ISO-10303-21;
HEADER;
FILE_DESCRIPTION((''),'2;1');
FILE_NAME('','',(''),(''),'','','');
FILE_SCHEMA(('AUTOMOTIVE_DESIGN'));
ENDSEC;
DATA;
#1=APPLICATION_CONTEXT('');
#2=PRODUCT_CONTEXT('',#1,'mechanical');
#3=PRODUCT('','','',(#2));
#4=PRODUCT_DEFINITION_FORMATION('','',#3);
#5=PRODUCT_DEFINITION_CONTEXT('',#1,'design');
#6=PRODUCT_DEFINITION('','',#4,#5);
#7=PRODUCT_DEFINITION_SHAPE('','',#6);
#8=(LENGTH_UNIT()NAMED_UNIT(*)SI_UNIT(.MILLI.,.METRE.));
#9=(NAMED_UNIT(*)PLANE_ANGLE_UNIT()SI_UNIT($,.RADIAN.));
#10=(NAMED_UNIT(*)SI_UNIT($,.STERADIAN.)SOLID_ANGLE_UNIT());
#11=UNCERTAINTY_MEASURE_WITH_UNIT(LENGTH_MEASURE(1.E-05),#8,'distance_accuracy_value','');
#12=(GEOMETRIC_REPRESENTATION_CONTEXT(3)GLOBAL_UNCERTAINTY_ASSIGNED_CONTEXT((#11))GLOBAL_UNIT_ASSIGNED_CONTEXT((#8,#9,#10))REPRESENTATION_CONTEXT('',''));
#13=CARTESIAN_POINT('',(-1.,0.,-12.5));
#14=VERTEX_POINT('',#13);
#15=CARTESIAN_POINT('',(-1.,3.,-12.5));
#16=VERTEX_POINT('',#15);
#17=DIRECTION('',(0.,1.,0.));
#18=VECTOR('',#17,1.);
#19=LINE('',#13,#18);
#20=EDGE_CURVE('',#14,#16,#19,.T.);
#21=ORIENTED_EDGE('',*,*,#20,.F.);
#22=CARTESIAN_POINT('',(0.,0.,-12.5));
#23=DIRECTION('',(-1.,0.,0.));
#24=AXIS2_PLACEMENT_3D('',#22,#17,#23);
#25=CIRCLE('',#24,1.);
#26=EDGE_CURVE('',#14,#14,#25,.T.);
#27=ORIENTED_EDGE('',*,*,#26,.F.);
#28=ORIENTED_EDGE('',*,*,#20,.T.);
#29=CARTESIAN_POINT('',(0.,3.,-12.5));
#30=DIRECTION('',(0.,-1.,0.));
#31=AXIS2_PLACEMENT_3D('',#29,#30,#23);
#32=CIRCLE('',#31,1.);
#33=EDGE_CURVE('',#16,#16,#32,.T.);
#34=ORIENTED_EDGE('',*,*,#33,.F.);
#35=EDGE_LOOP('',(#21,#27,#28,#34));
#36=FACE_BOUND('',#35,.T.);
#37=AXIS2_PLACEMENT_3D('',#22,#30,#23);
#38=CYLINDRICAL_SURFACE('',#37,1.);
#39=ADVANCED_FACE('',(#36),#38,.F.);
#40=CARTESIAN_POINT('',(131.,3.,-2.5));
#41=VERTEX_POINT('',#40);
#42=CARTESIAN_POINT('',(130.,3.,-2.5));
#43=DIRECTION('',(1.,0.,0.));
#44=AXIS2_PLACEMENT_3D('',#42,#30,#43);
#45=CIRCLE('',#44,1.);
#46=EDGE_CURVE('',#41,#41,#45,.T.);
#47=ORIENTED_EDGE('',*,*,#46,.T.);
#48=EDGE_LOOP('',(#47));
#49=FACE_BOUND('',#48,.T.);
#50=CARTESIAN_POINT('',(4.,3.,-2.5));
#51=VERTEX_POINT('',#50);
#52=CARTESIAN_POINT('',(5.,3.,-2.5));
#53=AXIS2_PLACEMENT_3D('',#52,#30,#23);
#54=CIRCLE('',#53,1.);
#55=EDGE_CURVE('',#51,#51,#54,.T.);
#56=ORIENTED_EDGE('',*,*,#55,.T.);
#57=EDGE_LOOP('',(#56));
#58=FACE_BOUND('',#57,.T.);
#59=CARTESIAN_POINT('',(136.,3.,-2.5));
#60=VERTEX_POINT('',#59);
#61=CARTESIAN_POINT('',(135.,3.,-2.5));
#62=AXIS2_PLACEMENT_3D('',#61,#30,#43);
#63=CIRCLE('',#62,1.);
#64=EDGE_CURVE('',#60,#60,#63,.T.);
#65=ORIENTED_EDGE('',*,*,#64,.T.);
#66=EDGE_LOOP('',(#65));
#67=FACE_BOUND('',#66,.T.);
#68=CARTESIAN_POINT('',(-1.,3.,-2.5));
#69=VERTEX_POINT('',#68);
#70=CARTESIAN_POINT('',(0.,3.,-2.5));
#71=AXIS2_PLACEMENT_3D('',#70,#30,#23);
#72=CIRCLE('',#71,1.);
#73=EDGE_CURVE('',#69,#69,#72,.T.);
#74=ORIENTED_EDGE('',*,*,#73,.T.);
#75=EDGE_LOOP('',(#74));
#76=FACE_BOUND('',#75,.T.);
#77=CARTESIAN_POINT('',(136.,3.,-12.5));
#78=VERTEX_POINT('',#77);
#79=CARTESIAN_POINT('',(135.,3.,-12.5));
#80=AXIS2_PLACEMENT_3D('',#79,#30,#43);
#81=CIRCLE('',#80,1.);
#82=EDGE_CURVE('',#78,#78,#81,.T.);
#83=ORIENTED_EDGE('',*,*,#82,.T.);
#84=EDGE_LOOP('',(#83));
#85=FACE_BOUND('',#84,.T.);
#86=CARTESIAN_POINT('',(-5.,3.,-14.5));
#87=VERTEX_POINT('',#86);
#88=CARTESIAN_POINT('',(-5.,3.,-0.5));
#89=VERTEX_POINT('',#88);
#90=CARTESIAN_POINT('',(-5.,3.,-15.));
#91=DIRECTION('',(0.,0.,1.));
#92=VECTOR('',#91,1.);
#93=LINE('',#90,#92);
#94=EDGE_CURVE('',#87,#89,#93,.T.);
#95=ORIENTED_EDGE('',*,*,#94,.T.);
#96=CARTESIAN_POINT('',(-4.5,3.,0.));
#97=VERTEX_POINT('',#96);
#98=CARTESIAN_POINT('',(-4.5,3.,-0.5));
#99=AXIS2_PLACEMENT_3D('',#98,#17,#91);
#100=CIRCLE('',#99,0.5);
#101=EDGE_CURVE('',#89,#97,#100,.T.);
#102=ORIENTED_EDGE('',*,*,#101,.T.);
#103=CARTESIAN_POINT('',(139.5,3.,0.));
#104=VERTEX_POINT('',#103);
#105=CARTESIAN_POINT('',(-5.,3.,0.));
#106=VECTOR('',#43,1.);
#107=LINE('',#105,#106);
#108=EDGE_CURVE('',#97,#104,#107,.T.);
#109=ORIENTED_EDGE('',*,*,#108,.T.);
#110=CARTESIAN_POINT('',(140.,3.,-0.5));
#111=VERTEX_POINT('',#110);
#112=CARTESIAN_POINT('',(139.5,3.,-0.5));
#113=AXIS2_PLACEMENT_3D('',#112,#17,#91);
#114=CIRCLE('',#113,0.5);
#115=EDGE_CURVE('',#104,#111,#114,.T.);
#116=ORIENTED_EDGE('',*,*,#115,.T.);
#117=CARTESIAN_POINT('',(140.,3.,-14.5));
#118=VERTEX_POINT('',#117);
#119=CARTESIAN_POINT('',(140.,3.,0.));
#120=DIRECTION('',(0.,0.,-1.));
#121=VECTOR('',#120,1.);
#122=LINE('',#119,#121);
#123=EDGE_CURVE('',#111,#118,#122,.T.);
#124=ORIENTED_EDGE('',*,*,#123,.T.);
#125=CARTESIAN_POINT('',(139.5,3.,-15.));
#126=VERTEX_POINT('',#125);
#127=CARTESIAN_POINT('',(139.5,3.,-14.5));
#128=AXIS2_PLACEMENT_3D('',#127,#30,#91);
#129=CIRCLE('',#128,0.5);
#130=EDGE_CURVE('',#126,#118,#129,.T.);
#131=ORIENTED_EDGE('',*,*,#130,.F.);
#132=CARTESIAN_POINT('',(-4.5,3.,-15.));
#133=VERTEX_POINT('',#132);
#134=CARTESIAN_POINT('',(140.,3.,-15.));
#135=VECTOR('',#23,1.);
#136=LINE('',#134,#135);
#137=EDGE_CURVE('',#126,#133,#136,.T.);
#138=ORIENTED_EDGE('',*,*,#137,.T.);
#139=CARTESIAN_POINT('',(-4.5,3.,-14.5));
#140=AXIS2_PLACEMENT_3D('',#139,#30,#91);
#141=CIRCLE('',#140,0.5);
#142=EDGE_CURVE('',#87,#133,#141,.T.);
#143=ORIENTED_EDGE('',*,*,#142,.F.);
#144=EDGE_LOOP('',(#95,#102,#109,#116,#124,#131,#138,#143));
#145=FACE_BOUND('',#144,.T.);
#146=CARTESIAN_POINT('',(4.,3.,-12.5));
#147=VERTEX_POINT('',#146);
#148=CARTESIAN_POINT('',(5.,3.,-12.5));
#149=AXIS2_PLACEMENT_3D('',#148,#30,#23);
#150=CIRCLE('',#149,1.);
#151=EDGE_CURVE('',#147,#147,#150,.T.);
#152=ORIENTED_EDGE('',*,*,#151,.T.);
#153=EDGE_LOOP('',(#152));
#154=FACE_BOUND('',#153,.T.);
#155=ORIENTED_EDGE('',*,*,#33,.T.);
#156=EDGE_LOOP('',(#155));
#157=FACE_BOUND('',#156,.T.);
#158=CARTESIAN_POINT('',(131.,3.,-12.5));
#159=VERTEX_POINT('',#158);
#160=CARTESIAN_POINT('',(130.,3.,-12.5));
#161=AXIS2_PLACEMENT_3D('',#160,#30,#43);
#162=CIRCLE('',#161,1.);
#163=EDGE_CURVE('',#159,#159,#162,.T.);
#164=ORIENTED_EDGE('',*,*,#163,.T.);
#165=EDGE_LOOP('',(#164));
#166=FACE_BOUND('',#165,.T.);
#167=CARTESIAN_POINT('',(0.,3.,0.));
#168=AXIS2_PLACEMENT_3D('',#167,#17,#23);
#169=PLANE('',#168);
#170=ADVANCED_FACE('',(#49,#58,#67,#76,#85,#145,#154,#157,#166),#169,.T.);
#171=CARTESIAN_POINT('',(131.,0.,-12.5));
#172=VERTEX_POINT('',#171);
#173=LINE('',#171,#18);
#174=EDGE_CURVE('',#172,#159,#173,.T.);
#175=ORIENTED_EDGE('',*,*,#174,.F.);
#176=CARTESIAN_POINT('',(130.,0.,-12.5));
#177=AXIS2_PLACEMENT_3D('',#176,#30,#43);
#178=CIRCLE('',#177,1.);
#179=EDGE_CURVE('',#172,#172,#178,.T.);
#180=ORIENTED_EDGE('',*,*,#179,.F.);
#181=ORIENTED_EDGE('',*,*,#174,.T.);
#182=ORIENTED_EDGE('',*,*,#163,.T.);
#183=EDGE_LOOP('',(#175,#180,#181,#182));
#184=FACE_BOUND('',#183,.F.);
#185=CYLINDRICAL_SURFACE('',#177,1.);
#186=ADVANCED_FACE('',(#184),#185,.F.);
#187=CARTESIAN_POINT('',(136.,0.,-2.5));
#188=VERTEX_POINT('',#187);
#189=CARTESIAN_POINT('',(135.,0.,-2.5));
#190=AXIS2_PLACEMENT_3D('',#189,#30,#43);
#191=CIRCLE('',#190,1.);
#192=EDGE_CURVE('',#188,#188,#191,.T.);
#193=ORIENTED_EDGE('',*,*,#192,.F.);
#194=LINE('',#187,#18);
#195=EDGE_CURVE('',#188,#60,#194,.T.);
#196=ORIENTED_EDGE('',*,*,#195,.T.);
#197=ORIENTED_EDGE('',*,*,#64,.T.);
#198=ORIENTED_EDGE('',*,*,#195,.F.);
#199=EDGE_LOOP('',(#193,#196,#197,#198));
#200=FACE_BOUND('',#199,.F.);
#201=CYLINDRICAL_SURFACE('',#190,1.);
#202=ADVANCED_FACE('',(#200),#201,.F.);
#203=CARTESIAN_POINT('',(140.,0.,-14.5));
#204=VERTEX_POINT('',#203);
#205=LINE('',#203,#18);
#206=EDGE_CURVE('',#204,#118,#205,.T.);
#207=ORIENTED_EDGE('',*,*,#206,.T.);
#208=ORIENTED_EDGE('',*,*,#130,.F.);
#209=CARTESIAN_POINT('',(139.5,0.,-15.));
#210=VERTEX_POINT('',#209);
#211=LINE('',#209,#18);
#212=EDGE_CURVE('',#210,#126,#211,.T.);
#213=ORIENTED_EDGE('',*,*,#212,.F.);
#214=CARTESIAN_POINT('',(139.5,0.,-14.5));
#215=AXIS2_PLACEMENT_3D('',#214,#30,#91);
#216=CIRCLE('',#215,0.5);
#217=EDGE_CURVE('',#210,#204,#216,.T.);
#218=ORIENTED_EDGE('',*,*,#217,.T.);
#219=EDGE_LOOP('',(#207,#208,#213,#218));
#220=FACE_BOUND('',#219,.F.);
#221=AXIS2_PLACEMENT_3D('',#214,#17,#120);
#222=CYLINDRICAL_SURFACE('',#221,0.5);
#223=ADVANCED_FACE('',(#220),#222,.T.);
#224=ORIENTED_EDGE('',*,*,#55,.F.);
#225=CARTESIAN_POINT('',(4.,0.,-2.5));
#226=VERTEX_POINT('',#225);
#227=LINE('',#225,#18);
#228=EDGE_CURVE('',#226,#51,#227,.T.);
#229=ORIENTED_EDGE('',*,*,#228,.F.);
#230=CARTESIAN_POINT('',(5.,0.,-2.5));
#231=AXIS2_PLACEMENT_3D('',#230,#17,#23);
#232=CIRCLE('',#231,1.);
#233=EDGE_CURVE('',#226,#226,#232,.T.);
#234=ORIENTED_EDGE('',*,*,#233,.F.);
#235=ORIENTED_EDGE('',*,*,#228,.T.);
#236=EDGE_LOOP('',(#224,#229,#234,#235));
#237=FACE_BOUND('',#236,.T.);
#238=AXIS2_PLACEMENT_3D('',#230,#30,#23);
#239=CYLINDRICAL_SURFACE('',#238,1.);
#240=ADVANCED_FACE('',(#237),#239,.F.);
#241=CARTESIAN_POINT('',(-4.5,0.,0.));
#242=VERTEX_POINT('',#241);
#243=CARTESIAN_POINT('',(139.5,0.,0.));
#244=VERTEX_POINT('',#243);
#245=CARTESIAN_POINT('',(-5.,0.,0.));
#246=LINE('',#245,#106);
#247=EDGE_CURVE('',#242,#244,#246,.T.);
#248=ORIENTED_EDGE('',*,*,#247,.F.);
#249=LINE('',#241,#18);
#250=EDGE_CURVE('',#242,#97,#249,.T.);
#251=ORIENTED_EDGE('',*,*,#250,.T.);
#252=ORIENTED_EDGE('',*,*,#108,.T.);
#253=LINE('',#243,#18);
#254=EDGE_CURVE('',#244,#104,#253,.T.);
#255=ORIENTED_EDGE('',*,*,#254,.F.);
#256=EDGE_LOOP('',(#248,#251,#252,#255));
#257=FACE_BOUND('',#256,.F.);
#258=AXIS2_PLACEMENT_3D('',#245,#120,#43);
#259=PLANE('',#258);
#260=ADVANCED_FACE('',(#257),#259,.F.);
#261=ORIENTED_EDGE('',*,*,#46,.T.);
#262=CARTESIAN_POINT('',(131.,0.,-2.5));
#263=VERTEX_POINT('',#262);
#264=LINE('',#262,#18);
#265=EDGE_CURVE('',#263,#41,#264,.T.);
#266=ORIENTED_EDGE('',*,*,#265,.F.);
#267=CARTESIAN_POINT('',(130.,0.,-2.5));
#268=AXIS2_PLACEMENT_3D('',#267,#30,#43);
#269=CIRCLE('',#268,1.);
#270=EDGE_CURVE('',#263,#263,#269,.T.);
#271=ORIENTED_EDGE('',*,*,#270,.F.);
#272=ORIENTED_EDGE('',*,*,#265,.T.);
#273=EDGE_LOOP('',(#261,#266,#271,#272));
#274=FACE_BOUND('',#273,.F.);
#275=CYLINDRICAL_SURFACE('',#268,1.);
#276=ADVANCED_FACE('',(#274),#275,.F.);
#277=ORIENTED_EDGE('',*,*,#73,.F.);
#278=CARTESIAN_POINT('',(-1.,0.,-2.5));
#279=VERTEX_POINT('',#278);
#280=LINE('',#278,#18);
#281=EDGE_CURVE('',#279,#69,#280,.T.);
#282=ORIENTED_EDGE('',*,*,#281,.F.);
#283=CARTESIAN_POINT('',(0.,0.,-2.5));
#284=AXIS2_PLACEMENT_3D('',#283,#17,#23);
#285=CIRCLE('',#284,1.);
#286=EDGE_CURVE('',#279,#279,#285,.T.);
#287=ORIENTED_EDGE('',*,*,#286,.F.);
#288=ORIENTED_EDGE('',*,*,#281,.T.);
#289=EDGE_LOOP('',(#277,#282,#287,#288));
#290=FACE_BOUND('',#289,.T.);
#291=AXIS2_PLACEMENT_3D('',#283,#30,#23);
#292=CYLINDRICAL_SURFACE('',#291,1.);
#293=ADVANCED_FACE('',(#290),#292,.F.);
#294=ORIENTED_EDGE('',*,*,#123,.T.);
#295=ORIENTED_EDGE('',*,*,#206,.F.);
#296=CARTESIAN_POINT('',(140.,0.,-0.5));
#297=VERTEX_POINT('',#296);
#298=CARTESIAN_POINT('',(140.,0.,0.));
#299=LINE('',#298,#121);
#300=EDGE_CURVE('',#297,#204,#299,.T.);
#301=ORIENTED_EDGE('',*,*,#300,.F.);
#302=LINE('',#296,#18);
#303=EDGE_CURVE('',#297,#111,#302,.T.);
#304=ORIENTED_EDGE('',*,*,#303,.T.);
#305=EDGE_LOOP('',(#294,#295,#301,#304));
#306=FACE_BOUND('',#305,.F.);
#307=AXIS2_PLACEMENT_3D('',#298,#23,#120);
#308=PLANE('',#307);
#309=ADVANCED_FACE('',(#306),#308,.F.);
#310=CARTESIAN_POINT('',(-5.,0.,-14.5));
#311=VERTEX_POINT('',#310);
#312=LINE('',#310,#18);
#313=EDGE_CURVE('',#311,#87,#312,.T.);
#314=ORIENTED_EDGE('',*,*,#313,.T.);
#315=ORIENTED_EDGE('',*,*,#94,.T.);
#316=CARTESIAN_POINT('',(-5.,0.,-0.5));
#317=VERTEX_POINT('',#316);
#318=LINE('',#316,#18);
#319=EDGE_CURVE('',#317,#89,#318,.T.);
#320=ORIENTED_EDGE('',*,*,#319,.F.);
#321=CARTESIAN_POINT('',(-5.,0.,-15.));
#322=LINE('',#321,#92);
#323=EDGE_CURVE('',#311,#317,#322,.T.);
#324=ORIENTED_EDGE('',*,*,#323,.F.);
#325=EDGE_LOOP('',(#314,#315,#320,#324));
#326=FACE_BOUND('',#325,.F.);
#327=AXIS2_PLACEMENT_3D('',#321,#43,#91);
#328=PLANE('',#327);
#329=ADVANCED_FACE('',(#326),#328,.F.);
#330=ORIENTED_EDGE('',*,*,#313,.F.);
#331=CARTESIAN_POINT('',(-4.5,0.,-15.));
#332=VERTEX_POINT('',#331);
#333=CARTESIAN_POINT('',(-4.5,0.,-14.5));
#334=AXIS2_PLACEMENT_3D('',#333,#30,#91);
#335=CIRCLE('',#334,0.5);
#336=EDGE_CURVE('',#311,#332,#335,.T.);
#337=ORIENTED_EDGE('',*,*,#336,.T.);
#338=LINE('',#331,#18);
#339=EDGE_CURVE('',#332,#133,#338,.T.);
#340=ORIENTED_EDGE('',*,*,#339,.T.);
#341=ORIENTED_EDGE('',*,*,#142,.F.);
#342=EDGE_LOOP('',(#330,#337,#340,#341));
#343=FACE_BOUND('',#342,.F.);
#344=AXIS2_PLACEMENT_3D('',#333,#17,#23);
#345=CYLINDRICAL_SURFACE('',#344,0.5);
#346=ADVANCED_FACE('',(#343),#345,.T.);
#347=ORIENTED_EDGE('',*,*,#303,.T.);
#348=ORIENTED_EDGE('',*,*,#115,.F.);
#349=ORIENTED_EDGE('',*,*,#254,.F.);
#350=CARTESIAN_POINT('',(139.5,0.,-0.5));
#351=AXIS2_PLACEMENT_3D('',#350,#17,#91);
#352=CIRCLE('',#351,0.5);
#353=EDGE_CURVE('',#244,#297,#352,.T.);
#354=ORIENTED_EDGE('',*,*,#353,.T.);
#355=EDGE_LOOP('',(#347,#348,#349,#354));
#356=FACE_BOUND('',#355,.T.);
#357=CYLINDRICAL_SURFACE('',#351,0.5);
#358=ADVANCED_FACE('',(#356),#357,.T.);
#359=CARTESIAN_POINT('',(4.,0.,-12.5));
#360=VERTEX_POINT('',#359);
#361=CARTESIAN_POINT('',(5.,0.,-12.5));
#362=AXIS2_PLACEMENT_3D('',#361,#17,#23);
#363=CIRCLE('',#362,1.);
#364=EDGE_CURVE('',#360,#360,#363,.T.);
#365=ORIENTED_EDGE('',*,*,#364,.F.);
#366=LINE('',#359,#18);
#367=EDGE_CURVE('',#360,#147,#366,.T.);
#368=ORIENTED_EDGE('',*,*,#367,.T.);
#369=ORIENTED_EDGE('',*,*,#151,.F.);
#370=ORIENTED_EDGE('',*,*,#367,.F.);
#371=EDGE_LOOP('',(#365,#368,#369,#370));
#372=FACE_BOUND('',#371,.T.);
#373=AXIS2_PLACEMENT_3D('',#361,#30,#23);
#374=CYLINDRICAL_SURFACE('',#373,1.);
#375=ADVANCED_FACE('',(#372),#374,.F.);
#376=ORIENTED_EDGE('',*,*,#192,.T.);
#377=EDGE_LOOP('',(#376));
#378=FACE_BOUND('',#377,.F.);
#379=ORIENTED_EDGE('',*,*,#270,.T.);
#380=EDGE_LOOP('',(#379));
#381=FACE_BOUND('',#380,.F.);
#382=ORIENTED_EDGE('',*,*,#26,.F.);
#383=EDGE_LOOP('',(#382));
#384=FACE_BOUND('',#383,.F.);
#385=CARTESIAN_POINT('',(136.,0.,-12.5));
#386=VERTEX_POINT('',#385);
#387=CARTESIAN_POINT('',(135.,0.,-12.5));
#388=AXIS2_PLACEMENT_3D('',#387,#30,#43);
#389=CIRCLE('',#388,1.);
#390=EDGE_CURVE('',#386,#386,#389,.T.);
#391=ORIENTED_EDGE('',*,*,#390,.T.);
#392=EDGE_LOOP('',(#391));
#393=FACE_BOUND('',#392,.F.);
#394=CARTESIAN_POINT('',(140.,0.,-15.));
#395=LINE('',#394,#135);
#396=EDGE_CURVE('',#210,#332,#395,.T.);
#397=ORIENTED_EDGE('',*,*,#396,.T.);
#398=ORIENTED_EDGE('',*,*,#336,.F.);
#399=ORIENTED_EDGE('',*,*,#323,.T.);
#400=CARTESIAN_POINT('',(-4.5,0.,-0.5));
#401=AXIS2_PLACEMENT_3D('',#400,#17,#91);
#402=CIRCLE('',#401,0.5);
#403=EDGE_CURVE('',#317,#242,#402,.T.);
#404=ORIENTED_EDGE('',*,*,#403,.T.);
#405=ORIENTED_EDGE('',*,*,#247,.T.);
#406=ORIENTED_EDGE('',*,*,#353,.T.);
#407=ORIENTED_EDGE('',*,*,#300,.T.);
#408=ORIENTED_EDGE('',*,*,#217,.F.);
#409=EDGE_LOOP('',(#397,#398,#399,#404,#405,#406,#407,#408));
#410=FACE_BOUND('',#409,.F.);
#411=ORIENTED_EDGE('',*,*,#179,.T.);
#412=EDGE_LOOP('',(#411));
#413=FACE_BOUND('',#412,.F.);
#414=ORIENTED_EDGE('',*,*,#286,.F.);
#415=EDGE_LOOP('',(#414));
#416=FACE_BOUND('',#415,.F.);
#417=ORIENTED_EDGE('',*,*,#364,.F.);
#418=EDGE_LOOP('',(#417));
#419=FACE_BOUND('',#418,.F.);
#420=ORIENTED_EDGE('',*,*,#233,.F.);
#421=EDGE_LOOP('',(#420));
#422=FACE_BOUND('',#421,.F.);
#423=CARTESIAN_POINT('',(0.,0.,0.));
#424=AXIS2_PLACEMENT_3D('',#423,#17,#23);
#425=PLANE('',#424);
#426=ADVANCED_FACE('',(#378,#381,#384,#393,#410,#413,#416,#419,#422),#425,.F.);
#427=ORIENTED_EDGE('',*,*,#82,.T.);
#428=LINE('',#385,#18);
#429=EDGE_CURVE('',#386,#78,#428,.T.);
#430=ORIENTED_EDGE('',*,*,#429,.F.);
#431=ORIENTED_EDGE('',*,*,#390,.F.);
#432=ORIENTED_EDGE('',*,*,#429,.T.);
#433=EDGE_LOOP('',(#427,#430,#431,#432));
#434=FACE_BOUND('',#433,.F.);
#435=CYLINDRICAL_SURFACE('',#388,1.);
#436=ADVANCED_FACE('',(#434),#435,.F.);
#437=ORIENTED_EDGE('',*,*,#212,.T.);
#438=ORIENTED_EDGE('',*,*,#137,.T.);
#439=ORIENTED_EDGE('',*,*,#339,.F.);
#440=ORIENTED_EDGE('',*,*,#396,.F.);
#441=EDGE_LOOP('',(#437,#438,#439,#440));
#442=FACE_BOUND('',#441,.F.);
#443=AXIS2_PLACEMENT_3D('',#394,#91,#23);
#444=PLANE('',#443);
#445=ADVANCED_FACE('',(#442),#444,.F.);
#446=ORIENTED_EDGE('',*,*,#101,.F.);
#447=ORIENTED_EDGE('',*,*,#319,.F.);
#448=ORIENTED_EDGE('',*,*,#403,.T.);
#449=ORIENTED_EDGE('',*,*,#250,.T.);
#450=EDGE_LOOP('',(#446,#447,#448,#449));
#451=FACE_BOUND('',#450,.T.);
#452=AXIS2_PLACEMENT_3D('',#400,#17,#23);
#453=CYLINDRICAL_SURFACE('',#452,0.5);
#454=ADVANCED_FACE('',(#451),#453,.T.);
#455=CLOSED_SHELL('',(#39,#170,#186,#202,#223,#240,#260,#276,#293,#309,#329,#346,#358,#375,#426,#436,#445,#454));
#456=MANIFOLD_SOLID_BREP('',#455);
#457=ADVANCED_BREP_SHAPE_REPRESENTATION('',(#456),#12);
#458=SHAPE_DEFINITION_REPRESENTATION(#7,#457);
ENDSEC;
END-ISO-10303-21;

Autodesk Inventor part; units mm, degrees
ref_plane "YZ Plane" through (0, 0, 0) normal (1, 0, 0) x (0, 1, 0)
ref_plane "XZ Plane" through (0, 0, 0) normal (0, 1, 0) x (-1, 0, 0)
ref_plane "XY Plane" through (0, 0, 0) normal (0, 0, 1) x (1, 0, 0)
sketch "Sketch3" plane through (0, 0, 0) normal (0, 1, 0) x (-1, 0, 0)
  line L0 (5, 0) -> (-140, 0)
  line L1 (-140, 0) -> (-140, -15)
  line L2 (-140, -15) -> (5, -15)
  line L3 (5, -15) -> (5, 0)
  dimension "d6" = 145
  dimension "d7" = 15
extrude "Plate1" add sketch "Sketch3" along normal blind 3
sketch "Sketch5" plane through (0, 0, 0) normal (0, -1, 0) x (1, 0, 0)
  line L0 (-5, 0) -> (140, 0) projected
  line L1 (-5, -15) -> (-5, 0) projected
  line L2 (140, -15) -> (-5, -15) projected
  line L3 (140, 0) -> (140, -15) projected
  line L4 (140, 0) -> (140, -15) construction
  line L5 (140, -7.5) -> (135, -7.5) construction
  line L6 (135, -7.5) -> (135, -12.5) construction
  line L7 (135, -12.5) -> (135, -2.5) construction
  line L8 (135, -2.5) -> (130, -2.5) construction
  line L9 (130, -2.5) -> (130, -12.5) construction
  circle A0 centre (135, -2.5) radius 1
  circle A1 centre (135, -12.5) radius 1
  circle A2 centre (130, -2.5) radius 1
  circle A3 centre (130, -12.5) radius 1
  point P0 (0, 0)
  dimension "d19" = 5
  dimension "d20" = 5
  dimension "d21" = 10
  dimension "d22" = 5
  dimension "d23" = 2
  dimension "d24" = 2
  dimension "d25" = 2
  dimension "d26" = 2
extrude "Extrusion2" cut sketch "Sketch5" against normal blind 10 contours A0 | A1 | A2 | A3
sketch "Sketch6" plane through (0, 0, 0) normal (0, -1, 0) x (1, 0, 0)
  point P0 (0, 0)
ref_plane "Work Plane1" through (67.5, 0, 0) normal (1, 0, 0) x (0, 0, -1)
mirror "Mirror1" about plane through (67.5, 0, 0) normal (1, 0, 0) of "Extrusion2"
fillet "Fillet1" radius 0.5 4 edges at (-5, 1.5, 0) (140, 1.5, 0) (140, 1.5, -15) (-5, 1.5, -15)
equation "\"d8\" = Thickness"
equation "\"BendRadius\" = Thickness"
equation "\"BendReliefWidth\" = Thickness"
equation "\"BendReliefDepth\" = 0.5 * Thickness"
equation "\"CornerReliefSize\" = 4 * Thickness"
equation "\"MinimumRemnant\" = 2 * Thickness"
equation "\"TransitionRadius\" = BendRadius"
equation "\"JacobiRadiusSize\" = Thickness"
equation "\"GapSize\" = Thickness"
equation "\"Thickness\" = 3"
properties part number "LaminaSoporteAccionadorF" material "Stainless Steel"
